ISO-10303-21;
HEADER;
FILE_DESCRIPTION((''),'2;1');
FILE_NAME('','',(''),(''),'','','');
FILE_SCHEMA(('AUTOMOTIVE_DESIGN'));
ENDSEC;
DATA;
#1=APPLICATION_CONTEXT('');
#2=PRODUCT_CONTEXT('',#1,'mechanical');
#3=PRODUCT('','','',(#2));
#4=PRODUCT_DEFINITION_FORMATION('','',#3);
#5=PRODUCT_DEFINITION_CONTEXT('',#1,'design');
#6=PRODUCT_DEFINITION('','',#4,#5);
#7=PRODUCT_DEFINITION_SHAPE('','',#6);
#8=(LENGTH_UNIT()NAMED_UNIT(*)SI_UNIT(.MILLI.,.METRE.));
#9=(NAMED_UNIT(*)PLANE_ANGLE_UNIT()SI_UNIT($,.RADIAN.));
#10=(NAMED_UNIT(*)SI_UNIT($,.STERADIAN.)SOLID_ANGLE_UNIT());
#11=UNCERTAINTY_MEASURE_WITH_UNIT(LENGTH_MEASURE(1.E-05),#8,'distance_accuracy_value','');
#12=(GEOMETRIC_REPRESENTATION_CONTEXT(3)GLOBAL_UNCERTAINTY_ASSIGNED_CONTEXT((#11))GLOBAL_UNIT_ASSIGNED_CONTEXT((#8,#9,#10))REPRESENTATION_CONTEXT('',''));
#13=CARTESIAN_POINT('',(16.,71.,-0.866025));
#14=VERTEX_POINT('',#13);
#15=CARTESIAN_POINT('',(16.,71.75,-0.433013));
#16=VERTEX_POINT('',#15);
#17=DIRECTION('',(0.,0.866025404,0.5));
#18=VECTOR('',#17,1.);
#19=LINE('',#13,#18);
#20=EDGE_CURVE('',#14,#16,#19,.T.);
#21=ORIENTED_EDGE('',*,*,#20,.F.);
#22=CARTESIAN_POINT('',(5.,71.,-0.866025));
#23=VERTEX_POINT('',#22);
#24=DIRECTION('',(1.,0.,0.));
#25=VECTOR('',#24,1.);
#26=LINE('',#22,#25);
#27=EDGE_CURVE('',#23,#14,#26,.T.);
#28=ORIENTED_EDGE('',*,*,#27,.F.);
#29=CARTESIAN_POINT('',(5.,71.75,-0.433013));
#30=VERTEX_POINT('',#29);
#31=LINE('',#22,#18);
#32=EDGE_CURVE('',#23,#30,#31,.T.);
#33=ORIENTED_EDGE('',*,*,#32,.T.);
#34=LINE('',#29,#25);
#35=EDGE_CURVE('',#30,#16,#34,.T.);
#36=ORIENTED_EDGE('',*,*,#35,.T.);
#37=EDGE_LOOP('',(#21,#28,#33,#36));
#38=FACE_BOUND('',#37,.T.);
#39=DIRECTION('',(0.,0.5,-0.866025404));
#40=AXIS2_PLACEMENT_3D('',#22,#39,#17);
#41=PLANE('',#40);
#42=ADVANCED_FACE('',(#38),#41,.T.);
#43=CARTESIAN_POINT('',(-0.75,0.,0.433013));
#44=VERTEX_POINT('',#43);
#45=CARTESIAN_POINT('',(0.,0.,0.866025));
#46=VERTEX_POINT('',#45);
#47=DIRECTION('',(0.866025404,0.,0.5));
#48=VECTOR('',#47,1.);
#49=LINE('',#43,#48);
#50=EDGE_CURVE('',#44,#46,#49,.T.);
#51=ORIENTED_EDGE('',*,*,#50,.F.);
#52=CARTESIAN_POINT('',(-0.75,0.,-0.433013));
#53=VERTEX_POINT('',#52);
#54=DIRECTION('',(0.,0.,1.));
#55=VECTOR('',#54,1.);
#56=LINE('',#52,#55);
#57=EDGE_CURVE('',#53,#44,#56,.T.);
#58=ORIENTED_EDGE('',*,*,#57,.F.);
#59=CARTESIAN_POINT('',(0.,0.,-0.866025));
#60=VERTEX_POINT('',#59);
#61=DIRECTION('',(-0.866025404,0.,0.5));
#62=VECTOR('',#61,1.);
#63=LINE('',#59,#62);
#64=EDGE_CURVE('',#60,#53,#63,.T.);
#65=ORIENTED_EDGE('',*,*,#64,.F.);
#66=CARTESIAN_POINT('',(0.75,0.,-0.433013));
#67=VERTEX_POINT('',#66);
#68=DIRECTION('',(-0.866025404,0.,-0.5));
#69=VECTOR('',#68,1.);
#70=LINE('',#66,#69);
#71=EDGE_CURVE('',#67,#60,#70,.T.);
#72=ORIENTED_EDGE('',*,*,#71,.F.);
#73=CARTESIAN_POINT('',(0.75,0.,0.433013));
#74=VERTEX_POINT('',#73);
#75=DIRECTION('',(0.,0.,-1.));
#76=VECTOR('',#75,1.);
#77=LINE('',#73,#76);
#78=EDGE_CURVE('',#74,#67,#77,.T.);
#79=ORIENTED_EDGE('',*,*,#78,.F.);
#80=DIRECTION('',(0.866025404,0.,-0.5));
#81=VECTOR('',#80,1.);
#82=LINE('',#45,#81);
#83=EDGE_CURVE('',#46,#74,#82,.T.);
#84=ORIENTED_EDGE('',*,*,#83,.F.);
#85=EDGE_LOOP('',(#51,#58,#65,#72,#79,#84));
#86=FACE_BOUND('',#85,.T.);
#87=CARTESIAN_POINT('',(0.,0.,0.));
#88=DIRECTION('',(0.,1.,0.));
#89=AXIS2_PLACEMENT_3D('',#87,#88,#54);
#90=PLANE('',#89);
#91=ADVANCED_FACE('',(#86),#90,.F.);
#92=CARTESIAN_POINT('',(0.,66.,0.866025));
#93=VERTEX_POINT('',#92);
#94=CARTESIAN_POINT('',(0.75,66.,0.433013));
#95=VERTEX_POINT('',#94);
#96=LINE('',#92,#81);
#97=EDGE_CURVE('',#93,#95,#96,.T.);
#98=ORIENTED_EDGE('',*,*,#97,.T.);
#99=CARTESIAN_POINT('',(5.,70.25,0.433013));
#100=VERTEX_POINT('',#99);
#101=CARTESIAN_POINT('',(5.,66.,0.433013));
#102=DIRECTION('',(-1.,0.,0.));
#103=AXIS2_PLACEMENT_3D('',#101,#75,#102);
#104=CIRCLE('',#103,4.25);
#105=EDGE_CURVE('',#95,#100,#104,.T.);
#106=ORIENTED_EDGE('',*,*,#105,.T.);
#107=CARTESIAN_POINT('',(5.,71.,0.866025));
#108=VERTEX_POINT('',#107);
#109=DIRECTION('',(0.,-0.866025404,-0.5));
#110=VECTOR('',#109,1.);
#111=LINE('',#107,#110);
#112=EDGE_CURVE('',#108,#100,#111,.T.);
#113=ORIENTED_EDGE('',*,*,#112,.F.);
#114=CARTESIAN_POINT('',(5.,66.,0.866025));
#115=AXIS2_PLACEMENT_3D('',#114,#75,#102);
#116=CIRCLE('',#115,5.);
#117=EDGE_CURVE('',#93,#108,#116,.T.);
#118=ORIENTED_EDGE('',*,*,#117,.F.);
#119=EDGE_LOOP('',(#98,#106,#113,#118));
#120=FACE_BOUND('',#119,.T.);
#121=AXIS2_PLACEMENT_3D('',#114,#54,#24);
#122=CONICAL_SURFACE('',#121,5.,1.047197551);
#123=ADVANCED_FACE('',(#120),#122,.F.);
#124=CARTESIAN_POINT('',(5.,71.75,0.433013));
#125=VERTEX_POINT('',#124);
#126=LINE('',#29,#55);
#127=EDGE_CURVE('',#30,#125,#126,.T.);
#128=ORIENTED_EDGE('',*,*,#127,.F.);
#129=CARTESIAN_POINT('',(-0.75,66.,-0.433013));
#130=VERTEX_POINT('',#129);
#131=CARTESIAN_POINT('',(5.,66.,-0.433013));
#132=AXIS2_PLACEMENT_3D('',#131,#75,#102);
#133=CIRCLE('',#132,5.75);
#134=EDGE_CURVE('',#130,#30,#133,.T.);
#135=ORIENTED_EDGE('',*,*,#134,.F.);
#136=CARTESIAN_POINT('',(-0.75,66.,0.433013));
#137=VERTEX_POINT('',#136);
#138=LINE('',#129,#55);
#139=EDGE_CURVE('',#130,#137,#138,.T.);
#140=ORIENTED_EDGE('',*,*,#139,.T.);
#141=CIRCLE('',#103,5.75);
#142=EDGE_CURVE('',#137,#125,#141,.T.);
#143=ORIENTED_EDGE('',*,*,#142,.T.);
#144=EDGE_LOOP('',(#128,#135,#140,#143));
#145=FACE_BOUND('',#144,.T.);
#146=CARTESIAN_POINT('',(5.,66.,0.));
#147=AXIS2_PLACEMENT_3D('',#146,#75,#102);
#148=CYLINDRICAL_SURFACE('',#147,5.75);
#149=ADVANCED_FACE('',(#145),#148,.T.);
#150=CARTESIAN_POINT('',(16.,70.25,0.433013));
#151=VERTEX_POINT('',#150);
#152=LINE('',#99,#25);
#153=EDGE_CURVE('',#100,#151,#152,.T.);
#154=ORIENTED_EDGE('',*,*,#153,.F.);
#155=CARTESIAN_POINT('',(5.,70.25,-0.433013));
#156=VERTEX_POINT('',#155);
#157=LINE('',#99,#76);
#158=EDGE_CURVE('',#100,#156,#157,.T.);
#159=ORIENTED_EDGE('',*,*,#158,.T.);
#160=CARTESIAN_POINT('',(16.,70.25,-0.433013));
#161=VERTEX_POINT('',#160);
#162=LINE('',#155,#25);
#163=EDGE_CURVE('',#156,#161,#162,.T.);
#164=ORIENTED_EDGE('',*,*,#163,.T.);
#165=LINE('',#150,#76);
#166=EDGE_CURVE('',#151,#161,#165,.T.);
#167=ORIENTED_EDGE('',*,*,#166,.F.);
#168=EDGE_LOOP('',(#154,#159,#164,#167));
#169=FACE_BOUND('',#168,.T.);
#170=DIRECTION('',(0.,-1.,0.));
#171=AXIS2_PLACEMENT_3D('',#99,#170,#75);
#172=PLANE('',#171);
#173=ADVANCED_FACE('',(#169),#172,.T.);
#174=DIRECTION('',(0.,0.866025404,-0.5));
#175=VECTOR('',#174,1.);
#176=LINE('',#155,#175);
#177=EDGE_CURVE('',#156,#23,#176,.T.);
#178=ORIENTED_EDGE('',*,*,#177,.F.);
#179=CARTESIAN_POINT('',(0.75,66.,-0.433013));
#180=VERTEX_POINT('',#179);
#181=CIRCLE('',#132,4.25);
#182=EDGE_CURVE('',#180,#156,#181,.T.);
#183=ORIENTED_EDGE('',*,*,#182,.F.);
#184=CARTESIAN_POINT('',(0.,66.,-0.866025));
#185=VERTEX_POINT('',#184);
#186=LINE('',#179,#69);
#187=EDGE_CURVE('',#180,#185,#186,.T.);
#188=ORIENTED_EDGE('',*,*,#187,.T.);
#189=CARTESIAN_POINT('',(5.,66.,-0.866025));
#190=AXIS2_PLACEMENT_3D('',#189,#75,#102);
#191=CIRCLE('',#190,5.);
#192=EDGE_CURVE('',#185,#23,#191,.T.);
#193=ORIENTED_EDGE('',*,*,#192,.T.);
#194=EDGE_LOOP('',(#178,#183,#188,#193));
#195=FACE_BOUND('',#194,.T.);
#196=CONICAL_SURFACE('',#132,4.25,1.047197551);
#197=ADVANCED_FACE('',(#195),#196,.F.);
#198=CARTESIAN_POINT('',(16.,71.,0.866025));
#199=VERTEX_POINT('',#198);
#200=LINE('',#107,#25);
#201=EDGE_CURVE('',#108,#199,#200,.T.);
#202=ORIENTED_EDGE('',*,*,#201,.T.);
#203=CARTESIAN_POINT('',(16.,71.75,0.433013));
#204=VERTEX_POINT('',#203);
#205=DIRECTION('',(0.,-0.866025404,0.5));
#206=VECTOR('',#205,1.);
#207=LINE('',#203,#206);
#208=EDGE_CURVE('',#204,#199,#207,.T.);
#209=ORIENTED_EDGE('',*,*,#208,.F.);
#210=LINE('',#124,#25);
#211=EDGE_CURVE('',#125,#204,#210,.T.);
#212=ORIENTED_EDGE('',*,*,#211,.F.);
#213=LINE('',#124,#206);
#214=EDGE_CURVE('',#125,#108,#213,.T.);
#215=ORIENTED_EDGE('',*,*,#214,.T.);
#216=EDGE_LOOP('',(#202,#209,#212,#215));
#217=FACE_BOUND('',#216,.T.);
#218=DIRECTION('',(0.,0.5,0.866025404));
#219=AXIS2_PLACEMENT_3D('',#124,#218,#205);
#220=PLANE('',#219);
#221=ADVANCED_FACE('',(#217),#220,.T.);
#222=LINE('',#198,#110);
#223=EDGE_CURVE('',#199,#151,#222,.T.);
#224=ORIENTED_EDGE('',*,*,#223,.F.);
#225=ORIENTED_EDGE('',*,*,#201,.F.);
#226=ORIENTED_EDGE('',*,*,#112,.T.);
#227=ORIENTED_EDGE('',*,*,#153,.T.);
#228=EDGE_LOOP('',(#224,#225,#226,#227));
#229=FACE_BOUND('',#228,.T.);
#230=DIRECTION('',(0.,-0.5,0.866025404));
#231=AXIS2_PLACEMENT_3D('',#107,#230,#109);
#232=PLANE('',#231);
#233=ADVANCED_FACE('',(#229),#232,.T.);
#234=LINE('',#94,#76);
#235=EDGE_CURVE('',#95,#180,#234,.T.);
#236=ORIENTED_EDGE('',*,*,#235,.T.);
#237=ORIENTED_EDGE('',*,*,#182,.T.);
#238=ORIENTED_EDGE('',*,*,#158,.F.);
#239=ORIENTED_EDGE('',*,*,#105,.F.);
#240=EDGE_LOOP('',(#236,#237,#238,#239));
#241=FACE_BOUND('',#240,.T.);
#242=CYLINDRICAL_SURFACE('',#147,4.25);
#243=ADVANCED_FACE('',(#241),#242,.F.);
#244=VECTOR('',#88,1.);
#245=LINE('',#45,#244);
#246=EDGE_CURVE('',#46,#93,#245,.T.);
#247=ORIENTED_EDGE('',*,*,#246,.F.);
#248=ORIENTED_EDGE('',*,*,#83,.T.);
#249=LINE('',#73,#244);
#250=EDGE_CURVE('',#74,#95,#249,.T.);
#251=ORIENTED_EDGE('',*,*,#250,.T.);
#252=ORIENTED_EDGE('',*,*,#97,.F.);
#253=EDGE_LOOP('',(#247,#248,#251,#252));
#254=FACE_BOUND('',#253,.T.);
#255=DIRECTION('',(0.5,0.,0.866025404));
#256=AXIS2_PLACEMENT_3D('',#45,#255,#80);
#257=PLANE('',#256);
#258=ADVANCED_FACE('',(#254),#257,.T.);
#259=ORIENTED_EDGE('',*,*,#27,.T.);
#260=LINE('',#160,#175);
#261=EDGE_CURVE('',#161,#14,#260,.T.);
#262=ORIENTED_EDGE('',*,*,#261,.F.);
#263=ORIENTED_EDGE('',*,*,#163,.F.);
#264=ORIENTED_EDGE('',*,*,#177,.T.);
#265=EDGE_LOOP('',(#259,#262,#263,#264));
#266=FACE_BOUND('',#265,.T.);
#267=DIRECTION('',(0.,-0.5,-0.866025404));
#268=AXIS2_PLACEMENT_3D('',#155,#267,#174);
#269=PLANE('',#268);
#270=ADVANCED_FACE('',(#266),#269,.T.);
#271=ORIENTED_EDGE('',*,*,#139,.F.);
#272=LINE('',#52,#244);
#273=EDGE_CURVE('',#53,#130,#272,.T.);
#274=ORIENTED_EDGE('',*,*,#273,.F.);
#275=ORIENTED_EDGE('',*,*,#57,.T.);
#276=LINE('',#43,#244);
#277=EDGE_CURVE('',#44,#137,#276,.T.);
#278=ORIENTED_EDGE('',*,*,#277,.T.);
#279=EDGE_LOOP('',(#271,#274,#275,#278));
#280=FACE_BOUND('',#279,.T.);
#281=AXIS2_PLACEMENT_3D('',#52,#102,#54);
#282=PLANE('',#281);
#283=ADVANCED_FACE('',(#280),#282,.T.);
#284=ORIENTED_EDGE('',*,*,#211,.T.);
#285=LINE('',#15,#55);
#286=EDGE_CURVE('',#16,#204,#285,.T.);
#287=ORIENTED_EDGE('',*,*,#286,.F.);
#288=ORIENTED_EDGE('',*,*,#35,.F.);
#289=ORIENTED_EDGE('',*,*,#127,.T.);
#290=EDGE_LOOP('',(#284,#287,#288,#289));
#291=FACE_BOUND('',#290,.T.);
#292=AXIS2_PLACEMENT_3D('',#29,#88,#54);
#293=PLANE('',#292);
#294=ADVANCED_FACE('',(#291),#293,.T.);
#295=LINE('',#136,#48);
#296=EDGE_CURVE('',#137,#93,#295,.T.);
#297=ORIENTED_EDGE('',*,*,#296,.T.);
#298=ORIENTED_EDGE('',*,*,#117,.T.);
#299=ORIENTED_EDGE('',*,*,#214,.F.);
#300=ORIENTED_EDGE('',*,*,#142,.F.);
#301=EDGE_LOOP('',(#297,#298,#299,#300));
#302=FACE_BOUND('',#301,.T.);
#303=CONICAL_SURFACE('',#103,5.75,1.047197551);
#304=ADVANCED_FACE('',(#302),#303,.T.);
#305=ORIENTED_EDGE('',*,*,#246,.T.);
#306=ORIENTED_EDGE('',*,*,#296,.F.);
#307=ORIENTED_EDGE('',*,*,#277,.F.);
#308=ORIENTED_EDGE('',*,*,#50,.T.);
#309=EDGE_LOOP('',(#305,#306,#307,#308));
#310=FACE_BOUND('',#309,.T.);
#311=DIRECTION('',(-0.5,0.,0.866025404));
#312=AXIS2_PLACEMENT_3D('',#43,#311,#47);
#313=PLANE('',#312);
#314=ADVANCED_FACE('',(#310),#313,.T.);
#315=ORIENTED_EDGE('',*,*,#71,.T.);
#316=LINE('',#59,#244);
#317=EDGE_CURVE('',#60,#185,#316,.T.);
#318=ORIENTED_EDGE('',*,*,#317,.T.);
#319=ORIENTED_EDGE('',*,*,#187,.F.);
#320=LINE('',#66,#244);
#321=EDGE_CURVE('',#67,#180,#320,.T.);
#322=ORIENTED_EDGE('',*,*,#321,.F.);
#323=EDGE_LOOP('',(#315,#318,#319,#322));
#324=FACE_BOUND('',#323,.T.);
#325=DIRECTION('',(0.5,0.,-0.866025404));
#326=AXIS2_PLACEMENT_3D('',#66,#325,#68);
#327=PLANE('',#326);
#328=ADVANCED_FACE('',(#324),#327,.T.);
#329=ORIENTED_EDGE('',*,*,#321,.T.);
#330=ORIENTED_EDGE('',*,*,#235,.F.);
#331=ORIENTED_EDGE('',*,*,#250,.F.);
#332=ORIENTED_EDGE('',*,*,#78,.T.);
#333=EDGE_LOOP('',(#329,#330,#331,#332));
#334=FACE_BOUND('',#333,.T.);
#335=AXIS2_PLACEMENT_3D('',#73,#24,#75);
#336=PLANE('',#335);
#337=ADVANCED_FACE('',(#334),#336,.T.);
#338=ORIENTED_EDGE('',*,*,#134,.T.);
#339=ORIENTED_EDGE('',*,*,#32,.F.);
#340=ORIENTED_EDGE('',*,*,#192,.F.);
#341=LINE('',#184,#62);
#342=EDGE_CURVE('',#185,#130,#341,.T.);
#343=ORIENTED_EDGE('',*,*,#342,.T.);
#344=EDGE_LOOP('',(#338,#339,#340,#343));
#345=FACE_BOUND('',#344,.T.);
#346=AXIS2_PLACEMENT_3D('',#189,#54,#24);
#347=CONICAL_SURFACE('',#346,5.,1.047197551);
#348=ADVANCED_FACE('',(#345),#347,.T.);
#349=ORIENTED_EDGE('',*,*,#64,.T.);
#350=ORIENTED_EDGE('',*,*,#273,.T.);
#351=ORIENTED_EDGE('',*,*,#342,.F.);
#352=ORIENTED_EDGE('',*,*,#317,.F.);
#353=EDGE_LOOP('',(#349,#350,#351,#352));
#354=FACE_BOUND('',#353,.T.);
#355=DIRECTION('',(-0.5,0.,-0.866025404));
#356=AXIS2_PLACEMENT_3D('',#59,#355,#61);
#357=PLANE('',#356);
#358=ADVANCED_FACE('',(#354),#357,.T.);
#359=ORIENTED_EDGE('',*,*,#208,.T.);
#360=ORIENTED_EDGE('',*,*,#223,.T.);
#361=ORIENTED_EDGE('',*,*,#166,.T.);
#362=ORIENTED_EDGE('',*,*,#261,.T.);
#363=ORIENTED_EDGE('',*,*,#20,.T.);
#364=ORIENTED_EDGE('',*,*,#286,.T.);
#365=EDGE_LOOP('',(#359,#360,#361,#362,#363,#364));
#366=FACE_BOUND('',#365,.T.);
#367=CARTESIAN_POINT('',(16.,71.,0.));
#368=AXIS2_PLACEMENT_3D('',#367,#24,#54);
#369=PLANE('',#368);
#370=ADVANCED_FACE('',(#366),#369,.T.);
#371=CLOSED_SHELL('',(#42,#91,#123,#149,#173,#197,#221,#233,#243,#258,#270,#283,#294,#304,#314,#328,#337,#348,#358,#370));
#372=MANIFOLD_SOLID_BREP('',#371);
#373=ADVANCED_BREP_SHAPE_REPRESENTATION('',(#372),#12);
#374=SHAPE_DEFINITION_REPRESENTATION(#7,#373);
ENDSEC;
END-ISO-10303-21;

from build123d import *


with BuildPart() as part:
    # Sweep1: sweep along a path in Sketch2
    with BuildLine(Plane.XY) as sweep1_path:
        Line((0, 0), (0, 66))
        ThreePointArc((0, 66), (1.464466094, 69.535533906), (5, 71))
        Line((5, 71), (16, 71))
    # Sketch1 → Sweep1 (sweep)
    with BuildSketch(Plane(origin=(0, 0, 0), x_dir=(1, 0, 0), z_dir=(0, 1, 0))):
        Polygon((0.75, -0.433012702), (0.75, 0.433012702), (0, 0.866025404), (-0.75, 0.433012702), (-0.75, -0.433012702), (0, -0.866025404), align=None)
    sweep(path=sweep1_path.line)


solid = part.part
